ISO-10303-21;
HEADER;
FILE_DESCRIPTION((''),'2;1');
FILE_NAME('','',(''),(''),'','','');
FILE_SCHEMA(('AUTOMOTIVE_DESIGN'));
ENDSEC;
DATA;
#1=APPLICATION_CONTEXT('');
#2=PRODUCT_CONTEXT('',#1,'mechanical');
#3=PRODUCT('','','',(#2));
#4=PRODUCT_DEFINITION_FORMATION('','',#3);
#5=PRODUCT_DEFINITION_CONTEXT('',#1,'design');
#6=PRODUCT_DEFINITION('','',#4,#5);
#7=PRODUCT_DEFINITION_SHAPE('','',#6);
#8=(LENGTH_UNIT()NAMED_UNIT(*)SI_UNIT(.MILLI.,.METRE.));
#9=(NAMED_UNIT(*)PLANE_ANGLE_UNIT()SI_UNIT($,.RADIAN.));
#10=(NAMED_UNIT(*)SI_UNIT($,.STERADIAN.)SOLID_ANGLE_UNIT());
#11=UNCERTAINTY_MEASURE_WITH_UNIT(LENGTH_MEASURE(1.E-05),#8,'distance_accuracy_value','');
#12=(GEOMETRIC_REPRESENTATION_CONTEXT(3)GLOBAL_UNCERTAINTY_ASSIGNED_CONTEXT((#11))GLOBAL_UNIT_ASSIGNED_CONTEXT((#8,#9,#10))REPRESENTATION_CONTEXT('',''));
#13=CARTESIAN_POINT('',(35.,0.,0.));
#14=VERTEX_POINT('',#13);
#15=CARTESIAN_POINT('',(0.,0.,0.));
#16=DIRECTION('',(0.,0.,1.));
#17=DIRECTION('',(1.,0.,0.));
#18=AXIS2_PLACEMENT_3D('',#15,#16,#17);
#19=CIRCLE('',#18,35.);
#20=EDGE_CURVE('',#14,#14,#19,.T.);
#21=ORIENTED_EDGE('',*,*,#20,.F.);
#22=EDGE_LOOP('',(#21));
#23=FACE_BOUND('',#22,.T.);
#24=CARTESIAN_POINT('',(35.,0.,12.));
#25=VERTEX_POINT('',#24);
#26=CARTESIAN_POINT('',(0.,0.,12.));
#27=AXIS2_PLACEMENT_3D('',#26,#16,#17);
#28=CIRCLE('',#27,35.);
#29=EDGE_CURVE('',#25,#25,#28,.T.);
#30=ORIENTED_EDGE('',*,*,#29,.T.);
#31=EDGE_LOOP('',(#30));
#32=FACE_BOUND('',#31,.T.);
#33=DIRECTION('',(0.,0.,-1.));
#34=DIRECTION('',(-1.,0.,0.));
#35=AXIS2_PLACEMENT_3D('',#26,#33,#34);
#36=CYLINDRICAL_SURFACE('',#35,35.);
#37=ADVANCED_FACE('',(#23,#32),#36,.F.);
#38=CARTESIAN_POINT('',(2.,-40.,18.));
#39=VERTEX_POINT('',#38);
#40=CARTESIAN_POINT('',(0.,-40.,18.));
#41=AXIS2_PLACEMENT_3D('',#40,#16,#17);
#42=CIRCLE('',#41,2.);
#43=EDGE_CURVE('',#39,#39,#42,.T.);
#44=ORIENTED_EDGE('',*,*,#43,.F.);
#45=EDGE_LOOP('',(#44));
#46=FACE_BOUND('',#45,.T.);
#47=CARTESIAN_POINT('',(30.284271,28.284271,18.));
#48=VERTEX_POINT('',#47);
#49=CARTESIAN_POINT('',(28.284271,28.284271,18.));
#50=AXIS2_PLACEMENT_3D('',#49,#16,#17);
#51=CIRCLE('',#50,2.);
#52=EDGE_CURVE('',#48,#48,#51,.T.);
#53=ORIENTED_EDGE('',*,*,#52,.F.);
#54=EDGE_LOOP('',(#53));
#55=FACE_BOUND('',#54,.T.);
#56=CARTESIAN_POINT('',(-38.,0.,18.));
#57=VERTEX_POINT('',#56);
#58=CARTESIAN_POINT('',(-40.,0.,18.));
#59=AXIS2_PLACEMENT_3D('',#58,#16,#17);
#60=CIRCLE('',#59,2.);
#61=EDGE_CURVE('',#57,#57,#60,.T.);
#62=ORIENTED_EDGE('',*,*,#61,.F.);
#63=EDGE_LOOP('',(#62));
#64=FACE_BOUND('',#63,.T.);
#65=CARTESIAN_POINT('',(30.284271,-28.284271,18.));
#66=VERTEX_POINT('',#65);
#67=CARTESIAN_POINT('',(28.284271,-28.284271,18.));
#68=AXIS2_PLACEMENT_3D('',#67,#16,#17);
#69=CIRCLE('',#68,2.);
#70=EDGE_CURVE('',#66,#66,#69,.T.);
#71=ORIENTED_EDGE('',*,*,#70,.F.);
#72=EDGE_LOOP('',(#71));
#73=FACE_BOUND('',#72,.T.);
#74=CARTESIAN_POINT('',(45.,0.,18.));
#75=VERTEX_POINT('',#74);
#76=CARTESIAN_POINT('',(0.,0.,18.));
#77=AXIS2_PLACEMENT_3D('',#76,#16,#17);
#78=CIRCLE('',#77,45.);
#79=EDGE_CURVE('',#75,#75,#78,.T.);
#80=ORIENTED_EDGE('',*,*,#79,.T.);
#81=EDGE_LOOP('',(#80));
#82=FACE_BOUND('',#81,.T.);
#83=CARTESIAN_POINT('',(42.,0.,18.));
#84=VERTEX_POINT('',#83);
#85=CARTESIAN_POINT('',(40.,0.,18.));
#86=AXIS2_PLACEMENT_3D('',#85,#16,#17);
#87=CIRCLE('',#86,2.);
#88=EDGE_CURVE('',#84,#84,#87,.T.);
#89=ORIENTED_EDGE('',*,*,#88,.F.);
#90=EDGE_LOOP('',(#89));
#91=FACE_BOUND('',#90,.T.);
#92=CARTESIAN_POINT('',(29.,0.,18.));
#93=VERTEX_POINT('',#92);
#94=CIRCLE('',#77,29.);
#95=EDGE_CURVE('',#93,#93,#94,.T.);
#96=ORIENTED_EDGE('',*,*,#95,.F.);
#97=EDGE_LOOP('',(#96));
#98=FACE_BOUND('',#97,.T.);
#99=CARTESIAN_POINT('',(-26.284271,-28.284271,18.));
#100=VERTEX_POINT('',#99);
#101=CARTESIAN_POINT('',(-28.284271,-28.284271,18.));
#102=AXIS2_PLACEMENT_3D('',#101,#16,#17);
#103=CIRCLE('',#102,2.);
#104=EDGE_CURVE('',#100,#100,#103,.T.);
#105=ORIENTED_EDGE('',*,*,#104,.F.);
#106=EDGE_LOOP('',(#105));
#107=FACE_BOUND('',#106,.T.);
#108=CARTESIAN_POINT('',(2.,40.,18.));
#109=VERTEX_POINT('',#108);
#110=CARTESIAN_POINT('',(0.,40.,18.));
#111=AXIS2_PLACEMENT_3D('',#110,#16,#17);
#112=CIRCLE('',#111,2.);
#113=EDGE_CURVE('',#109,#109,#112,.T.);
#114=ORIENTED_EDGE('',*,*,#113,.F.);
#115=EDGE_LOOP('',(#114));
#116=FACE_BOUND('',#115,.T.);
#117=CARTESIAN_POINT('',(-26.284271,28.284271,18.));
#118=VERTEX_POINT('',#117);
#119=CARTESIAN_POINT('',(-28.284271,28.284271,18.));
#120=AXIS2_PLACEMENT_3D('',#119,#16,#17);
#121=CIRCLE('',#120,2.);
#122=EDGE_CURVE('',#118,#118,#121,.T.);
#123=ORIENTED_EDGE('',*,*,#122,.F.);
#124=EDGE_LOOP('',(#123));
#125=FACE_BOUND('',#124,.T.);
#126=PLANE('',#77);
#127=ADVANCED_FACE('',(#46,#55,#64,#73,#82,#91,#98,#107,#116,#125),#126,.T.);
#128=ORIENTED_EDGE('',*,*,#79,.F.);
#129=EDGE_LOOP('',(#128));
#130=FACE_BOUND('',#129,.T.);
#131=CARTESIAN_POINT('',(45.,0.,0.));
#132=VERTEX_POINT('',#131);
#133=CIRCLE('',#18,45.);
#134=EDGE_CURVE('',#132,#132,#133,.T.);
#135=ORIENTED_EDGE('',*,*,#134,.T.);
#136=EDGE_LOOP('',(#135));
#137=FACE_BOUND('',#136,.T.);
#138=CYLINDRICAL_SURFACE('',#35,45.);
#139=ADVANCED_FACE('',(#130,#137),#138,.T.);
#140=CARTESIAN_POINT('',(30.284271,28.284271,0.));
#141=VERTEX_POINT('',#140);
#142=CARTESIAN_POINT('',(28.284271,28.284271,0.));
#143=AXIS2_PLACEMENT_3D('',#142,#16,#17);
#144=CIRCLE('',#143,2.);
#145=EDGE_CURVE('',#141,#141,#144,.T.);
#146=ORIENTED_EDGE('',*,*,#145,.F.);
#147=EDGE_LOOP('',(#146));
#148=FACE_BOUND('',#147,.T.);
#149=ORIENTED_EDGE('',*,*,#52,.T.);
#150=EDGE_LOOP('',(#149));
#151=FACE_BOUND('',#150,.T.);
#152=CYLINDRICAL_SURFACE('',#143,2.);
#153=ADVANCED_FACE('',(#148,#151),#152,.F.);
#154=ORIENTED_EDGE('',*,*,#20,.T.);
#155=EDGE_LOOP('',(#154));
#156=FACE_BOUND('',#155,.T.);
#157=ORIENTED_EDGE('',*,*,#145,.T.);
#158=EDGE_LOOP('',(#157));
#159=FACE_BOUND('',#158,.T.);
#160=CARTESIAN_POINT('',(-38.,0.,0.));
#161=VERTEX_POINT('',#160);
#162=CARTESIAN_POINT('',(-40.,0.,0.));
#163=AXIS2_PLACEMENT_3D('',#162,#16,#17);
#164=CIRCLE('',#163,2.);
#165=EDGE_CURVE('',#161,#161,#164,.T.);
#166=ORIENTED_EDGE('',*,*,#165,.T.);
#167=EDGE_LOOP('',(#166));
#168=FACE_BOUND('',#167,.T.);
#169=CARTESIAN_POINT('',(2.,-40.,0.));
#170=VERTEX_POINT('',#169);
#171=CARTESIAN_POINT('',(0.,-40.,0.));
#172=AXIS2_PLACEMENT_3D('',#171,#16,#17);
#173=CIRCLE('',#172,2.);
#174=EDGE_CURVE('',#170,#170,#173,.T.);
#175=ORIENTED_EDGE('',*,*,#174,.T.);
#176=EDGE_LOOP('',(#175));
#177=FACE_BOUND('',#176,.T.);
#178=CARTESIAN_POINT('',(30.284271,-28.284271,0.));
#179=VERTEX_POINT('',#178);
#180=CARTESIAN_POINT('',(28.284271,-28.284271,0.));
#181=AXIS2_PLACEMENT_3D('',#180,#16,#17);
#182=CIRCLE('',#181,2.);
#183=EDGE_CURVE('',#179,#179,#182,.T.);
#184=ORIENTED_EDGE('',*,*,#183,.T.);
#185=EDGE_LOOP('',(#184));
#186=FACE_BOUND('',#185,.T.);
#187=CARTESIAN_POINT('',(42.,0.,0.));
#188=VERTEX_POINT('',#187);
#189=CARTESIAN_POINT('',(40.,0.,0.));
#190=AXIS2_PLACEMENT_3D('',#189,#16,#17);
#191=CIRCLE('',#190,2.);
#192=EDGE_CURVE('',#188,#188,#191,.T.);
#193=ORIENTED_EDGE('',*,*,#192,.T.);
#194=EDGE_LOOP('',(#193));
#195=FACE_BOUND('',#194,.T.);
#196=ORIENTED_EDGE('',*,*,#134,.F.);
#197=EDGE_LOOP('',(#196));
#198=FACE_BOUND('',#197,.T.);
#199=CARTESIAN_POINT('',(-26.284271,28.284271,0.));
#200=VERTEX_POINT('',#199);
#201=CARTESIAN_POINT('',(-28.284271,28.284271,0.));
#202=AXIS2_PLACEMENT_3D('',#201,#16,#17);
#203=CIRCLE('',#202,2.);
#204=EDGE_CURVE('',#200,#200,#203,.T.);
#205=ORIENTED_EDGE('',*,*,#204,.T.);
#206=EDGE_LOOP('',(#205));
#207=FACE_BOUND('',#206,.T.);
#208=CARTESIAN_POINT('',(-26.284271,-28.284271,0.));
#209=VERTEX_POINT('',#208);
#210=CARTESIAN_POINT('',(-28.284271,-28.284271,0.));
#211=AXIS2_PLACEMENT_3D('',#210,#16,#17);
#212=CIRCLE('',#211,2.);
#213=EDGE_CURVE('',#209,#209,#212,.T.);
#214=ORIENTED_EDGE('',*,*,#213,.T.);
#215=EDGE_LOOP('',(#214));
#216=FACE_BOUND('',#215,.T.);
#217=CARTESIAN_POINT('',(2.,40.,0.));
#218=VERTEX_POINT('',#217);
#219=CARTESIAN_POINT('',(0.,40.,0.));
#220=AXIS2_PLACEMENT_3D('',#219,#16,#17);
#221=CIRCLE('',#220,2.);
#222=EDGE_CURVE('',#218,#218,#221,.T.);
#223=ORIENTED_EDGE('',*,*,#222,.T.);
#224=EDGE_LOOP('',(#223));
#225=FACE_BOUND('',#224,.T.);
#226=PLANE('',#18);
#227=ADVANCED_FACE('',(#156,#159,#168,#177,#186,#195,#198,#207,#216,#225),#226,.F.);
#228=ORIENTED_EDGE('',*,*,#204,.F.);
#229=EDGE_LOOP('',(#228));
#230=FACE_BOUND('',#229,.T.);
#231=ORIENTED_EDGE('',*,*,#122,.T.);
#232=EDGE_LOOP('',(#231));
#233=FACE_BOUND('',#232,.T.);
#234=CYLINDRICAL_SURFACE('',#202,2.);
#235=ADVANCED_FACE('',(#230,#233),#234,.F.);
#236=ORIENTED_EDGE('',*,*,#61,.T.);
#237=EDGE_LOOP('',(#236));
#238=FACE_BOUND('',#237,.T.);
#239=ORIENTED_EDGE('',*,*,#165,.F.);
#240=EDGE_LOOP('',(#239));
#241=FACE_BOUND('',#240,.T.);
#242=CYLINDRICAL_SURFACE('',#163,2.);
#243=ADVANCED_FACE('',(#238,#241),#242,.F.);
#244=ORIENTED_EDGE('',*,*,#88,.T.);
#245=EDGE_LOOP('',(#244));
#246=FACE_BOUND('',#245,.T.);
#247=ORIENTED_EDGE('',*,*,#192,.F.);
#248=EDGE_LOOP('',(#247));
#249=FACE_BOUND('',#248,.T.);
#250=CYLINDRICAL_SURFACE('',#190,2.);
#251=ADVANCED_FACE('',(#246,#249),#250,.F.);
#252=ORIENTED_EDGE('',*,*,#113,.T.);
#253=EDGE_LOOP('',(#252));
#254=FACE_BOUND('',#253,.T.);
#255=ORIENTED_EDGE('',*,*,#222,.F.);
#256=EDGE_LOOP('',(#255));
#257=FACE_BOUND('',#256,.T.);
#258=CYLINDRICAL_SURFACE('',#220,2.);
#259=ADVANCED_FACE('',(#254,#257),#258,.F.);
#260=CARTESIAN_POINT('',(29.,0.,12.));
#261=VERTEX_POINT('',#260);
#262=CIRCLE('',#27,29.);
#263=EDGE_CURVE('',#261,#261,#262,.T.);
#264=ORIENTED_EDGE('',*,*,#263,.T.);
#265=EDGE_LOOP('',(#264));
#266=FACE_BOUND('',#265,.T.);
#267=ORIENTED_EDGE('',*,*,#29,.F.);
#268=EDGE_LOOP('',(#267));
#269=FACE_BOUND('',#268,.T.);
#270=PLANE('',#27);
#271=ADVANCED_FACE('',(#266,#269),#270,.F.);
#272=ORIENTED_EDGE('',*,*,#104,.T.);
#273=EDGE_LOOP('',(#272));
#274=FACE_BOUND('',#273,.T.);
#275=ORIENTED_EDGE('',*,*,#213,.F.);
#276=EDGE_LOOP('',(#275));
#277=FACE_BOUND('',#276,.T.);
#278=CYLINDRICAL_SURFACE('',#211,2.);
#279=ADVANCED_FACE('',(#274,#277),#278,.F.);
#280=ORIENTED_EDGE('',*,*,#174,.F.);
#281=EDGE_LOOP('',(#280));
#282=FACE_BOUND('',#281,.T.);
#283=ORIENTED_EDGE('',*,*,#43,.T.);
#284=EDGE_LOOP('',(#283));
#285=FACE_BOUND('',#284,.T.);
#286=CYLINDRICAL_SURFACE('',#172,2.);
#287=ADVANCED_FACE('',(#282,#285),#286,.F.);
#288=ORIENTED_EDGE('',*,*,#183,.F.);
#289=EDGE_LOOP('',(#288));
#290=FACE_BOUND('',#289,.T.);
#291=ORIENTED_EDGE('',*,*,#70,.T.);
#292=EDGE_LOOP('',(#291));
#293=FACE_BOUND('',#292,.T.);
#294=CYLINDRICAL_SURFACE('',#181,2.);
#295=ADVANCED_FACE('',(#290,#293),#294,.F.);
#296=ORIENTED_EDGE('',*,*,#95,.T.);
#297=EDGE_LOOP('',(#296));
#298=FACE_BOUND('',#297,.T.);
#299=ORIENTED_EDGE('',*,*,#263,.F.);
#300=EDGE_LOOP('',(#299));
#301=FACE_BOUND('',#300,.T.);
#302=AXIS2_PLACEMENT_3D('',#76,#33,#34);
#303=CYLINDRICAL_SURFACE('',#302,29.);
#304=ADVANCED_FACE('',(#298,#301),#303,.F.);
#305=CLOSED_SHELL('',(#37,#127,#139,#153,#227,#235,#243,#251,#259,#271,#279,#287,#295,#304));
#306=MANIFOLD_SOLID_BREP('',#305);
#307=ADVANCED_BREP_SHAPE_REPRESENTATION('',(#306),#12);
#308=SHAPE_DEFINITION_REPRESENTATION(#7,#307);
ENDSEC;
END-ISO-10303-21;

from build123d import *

# Parameters (mm, degrees)
SKETCH_1_R          = 45
SKETCH_1_R_2        = 35
EXTRUDE_1_DEPTH     = 12
SKETCH_2_R          = 45
SKETCH_2_R_2        = 29
EXTRUDE_2_DEPTH     = 6
SKETCH_4_R          = 2
CUT_EXTRUDE_1_DEPTH = 18


with BuildPart() as part:
    # 草图1 → 凸台-拉伸1 (new body)
    with BuildSketch(Plane.XY):
        Circle(SKETCH_1_R)
        Circle(SKETCH_1_R_2, mode=Mode.SUBTRACT)
    extrude(amount=EXTRUDE_1_DEPTH)

    # 草图2 → 凸台-拉伸2 (add)
    with BuildSketch(Plane.XY.offset(12)):
        Circle(SKETCH_2_R)
        Circle(SKETCH_2_R_2, mode=Mode.SUBTRACT)
    extrude(amount=EXTRUDE_2_DEPTH)

    # 草图4 → 切除-拉伸1 (cut)
    with BuildSketch(Plane.XY.offset(18)):
        with Locations((0, 40)):
            Circle(SKETCH_4_R)
        with Locations((28.284271247, 28.284271247)):
            Circle(SKETCH_4_R)
        with Locations((40, 0)):
            Circle(SKETCH_4_R)
        with Locations((28.284271247, -28.284271247)):
            Circle(SKETCH_4_R)
        with Locations((0, -40)):
            Circle(SKETCH_4_R)
        with Locations((-28.284271247, -28.284271247)):
            Circle(SKETCH_4_R)
        with Locations((-40, 0)):
            Circle(SKETCH_4_R)
        with Locations((-28.284271247, 28.284271247)):
            Circle(SKETCH_4_R)
    extrude(amount=-CUT_EXTRUDE_1_DEPTH, mode=Mode.SUBTRACT)


solid = part.part
